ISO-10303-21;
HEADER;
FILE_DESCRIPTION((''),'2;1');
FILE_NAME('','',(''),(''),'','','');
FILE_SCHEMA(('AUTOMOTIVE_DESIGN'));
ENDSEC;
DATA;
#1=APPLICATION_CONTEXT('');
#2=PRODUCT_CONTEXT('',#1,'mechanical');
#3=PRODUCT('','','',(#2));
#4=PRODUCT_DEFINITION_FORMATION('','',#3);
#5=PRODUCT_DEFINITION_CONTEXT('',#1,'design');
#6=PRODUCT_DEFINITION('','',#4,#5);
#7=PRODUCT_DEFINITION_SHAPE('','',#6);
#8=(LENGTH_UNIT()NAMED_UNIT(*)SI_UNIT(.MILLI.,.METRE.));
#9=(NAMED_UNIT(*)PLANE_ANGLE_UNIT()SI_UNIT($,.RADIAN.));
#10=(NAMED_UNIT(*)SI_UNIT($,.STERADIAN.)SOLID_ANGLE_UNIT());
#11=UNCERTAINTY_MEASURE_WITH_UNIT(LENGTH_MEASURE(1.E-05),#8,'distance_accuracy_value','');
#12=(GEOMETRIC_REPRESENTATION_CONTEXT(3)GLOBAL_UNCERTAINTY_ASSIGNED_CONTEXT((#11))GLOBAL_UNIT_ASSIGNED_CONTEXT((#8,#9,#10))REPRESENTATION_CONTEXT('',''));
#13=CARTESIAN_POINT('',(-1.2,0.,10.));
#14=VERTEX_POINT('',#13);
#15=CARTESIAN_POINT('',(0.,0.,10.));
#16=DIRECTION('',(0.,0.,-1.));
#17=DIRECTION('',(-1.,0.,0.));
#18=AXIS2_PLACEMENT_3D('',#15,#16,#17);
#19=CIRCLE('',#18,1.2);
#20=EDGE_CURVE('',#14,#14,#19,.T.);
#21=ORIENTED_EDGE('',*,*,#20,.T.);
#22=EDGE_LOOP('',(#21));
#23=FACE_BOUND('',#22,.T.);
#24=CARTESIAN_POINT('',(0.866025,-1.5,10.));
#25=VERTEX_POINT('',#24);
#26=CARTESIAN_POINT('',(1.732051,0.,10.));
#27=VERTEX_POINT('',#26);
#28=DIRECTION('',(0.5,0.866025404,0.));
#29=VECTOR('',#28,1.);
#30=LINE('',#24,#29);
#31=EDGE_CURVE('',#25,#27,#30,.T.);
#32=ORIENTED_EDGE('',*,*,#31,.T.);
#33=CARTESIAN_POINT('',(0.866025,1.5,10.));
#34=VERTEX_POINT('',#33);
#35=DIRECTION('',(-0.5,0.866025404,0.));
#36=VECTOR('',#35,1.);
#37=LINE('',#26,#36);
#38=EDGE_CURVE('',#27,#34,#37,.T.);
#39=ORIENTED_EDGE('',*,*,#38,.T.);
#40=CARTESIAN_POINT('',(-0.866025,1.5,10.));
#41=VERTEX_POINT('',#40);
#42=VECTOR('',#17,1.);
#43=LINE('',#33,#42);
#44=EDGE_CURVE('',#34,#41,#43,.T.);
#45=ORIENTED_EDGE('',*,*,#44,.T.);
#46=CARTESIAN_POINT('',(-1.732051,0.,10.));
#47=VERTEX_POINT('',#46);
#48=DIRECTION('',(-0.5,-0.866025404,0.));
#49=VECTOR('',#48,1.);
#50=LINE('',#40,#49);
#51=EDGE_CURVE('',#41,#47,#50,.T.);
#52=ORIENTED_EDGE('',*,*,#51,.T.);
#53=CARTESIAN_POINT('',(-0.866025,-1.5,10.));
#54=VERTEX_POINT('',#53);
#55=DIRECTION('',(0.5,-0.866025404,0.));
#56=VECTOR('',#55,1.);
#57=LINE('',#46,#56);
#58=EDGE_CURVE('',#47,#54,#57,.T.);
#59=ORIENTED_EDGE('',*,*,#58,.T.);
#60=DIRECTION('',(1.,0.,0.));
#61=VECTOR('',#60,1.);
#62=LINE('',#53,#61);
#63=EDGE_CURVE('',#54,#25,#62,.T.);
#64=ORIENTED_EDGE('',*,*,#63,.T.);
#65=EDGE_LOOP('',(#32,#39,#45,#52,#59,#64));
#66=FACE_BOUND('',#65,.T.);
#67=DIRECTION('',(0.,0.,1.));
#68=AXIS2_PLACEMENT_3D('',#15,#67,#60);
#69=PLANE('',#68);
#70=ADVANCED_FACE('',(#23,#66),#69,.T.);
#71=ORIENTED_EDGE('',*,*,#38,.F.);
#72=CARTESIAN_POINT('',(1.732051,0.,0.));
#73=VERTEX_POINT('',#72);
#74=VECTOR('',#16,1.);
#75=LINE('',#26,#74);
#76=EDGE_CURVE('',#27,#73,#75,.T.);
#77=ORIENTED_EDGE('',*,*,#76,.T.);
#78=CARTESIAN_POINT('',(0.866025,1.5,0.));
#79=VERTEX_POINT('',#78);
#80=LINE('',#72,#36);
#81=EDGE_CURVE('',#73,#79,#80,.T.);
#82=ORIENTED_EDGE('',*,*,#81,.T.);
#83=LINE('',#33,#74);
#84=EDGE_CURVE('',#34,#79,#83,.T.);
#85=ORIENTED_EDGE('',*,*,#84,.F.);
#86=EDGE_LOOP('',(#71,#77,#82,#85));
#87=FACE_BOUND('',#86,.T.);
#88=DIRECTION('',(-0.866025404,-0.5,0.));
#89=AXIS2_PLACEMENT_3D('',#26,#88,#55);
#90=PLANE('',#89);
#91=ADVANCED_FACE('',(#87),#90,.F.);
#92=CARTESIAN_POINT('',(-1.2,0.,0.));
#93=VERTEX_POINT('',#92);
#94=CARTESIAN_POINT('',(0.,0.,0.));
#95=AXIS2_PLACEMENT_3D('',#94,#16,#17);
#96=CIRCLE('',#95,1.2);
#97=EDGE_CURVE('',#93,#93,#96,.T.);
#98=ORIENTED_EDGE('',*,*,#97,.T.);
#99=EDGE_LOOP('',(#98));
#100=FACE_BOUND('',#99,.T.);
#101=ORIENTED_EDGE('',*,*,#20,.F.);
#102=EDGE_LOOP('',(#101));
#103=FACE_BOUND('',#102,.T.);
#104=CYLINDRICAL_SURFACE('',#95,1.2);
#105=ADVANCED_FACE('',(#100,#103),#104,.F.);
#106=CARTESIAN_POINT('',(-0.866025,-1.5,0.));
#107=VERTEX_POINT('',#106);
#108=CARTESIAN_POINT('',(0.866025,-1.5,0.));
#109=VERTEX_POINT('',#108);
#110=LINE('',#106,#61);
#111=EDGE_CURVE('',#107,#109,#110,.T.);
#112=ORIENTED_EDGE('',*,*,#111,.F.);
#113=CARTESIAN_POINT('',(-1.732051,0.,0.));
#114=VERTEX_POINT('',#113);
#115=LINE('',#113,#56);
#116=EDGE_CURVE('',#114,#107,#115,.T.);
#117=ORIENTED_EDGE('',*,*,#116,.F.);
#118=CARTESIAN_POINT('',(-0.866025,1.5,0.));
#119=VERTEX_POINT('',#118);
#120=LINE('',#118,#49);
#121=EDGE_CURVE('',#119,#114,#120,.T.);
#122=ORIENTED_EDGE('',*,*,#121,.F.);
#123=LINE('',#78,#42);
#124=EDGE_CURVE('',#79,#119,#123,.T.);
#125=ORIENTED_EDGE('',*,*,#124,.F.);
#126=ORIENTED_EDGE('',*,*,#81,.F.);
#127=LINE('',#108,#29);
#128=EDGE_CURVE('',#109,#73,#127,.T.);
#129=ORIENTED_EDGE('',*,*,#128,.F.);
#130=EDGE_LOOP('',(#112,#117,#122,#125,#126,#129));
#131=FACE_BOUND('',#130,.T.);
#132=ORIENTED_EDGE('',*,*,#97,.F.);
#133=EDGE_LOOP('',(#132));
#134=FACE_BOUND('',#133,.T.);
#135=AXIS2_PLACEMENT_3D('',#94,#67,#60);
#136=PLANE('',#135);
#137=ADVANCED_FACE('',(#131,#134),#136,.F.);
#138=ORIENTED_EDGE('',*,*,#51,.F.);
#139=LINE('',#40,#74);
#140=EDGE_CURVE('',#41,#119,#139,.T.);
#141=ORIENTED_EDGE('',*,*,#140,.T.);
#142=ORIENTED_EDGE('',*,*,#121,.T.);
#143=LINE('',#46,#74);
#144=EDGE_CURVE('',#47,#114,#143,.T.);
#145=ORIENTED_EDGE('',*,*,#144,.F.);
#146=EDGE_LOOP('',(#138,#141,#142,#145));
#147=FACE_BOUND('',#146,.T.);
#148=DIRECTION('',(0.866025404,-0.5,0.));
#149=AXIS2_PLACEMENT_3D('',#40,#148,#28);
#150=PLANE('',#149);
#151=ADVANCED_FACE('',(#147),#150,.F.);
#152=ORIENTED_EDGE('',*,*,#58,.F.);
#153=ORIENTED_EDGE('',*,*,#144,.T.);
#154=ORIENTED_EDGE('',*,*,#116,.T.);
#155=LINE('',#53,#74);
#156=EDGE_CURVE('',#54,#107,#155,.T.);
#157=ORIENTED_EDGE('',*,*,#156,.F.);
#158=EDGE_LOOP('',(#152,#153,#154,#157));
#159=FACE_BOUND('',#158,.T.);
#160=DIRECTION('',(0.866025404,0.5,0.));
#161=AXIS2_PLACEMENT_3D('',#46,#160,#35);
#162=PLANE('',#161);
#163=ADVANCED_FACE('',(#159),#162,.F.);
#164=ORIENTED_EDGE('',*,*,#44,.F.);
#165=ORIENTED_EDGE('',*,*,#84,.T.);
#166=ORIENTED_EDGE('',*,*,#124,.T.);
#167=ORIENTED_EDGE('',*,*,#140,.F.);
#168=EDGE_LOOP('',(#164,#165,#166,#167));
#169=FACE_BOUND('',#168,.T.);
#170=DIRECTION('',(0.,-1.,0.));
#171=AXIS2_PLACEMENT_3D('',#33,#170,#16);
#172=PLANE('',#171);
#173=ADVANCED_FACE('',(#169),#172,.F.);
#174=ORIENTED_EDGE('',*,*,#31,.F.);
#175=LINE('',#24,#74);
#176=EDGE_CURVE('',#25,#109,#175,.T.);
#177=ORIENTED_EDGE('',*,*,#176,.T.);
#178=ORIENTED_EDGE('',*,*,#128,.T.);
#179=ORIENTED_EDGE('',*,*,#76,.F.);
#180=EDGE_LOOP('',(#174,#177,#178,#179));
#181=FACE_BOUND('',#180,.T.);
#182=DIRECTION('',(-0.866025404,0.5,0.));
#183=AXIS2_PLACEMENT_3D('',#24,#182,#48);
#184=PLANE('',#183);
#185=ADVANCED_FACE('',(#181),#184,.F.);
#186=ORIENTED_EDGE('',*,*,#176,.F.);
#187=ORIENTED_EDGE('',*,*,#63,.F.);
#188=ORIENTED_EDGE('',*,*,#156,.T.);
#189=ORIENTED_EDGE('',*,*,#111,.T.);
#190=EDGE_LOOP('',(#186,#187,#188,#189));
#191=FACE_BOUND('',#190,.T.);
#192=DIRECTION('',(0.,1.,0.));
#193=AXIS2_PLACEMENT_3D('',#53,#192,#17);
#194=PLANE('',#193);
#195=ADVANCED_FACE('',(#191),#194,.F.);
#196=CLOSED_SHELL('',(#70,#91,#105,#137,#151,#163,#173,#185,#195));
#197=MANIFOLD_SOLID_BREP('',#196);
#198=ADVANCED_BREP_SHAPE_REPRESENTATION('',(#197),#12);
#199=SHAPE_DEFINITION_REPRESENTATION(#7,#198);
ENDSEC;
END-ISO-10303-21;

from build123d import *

# Parameters (mm, degrees)
EXTRUDE_1_DEPTH    = 10
HOLE_WIZARD_M2_1_D = 2.4


with BuildPart() as part:
    # 스케치1 → 보스-돌출1 (new body)
    with BuildSketch(Plane.XY):
        Polygon((0.866025404, -1.5), (1.732050808, 0), (0.866025404, 1.5), (-0.866025404, 1.5), (-1.732050808, 0), (-0.866025404, -1.5), align=None)
    extrude(amount=EXTRUDE_1_DEPTH)

    # M2 여유 구멍1 (through all)
    with Locations(Plane(origin=(0, 0, 0), x_dir=(-1, 0, 0), z_dir=(0, 0, -1))):
        with Locations((0, 0)):
            Hole(HOLE_WIZARD_M2_1_D / 2)


solid = part.part
